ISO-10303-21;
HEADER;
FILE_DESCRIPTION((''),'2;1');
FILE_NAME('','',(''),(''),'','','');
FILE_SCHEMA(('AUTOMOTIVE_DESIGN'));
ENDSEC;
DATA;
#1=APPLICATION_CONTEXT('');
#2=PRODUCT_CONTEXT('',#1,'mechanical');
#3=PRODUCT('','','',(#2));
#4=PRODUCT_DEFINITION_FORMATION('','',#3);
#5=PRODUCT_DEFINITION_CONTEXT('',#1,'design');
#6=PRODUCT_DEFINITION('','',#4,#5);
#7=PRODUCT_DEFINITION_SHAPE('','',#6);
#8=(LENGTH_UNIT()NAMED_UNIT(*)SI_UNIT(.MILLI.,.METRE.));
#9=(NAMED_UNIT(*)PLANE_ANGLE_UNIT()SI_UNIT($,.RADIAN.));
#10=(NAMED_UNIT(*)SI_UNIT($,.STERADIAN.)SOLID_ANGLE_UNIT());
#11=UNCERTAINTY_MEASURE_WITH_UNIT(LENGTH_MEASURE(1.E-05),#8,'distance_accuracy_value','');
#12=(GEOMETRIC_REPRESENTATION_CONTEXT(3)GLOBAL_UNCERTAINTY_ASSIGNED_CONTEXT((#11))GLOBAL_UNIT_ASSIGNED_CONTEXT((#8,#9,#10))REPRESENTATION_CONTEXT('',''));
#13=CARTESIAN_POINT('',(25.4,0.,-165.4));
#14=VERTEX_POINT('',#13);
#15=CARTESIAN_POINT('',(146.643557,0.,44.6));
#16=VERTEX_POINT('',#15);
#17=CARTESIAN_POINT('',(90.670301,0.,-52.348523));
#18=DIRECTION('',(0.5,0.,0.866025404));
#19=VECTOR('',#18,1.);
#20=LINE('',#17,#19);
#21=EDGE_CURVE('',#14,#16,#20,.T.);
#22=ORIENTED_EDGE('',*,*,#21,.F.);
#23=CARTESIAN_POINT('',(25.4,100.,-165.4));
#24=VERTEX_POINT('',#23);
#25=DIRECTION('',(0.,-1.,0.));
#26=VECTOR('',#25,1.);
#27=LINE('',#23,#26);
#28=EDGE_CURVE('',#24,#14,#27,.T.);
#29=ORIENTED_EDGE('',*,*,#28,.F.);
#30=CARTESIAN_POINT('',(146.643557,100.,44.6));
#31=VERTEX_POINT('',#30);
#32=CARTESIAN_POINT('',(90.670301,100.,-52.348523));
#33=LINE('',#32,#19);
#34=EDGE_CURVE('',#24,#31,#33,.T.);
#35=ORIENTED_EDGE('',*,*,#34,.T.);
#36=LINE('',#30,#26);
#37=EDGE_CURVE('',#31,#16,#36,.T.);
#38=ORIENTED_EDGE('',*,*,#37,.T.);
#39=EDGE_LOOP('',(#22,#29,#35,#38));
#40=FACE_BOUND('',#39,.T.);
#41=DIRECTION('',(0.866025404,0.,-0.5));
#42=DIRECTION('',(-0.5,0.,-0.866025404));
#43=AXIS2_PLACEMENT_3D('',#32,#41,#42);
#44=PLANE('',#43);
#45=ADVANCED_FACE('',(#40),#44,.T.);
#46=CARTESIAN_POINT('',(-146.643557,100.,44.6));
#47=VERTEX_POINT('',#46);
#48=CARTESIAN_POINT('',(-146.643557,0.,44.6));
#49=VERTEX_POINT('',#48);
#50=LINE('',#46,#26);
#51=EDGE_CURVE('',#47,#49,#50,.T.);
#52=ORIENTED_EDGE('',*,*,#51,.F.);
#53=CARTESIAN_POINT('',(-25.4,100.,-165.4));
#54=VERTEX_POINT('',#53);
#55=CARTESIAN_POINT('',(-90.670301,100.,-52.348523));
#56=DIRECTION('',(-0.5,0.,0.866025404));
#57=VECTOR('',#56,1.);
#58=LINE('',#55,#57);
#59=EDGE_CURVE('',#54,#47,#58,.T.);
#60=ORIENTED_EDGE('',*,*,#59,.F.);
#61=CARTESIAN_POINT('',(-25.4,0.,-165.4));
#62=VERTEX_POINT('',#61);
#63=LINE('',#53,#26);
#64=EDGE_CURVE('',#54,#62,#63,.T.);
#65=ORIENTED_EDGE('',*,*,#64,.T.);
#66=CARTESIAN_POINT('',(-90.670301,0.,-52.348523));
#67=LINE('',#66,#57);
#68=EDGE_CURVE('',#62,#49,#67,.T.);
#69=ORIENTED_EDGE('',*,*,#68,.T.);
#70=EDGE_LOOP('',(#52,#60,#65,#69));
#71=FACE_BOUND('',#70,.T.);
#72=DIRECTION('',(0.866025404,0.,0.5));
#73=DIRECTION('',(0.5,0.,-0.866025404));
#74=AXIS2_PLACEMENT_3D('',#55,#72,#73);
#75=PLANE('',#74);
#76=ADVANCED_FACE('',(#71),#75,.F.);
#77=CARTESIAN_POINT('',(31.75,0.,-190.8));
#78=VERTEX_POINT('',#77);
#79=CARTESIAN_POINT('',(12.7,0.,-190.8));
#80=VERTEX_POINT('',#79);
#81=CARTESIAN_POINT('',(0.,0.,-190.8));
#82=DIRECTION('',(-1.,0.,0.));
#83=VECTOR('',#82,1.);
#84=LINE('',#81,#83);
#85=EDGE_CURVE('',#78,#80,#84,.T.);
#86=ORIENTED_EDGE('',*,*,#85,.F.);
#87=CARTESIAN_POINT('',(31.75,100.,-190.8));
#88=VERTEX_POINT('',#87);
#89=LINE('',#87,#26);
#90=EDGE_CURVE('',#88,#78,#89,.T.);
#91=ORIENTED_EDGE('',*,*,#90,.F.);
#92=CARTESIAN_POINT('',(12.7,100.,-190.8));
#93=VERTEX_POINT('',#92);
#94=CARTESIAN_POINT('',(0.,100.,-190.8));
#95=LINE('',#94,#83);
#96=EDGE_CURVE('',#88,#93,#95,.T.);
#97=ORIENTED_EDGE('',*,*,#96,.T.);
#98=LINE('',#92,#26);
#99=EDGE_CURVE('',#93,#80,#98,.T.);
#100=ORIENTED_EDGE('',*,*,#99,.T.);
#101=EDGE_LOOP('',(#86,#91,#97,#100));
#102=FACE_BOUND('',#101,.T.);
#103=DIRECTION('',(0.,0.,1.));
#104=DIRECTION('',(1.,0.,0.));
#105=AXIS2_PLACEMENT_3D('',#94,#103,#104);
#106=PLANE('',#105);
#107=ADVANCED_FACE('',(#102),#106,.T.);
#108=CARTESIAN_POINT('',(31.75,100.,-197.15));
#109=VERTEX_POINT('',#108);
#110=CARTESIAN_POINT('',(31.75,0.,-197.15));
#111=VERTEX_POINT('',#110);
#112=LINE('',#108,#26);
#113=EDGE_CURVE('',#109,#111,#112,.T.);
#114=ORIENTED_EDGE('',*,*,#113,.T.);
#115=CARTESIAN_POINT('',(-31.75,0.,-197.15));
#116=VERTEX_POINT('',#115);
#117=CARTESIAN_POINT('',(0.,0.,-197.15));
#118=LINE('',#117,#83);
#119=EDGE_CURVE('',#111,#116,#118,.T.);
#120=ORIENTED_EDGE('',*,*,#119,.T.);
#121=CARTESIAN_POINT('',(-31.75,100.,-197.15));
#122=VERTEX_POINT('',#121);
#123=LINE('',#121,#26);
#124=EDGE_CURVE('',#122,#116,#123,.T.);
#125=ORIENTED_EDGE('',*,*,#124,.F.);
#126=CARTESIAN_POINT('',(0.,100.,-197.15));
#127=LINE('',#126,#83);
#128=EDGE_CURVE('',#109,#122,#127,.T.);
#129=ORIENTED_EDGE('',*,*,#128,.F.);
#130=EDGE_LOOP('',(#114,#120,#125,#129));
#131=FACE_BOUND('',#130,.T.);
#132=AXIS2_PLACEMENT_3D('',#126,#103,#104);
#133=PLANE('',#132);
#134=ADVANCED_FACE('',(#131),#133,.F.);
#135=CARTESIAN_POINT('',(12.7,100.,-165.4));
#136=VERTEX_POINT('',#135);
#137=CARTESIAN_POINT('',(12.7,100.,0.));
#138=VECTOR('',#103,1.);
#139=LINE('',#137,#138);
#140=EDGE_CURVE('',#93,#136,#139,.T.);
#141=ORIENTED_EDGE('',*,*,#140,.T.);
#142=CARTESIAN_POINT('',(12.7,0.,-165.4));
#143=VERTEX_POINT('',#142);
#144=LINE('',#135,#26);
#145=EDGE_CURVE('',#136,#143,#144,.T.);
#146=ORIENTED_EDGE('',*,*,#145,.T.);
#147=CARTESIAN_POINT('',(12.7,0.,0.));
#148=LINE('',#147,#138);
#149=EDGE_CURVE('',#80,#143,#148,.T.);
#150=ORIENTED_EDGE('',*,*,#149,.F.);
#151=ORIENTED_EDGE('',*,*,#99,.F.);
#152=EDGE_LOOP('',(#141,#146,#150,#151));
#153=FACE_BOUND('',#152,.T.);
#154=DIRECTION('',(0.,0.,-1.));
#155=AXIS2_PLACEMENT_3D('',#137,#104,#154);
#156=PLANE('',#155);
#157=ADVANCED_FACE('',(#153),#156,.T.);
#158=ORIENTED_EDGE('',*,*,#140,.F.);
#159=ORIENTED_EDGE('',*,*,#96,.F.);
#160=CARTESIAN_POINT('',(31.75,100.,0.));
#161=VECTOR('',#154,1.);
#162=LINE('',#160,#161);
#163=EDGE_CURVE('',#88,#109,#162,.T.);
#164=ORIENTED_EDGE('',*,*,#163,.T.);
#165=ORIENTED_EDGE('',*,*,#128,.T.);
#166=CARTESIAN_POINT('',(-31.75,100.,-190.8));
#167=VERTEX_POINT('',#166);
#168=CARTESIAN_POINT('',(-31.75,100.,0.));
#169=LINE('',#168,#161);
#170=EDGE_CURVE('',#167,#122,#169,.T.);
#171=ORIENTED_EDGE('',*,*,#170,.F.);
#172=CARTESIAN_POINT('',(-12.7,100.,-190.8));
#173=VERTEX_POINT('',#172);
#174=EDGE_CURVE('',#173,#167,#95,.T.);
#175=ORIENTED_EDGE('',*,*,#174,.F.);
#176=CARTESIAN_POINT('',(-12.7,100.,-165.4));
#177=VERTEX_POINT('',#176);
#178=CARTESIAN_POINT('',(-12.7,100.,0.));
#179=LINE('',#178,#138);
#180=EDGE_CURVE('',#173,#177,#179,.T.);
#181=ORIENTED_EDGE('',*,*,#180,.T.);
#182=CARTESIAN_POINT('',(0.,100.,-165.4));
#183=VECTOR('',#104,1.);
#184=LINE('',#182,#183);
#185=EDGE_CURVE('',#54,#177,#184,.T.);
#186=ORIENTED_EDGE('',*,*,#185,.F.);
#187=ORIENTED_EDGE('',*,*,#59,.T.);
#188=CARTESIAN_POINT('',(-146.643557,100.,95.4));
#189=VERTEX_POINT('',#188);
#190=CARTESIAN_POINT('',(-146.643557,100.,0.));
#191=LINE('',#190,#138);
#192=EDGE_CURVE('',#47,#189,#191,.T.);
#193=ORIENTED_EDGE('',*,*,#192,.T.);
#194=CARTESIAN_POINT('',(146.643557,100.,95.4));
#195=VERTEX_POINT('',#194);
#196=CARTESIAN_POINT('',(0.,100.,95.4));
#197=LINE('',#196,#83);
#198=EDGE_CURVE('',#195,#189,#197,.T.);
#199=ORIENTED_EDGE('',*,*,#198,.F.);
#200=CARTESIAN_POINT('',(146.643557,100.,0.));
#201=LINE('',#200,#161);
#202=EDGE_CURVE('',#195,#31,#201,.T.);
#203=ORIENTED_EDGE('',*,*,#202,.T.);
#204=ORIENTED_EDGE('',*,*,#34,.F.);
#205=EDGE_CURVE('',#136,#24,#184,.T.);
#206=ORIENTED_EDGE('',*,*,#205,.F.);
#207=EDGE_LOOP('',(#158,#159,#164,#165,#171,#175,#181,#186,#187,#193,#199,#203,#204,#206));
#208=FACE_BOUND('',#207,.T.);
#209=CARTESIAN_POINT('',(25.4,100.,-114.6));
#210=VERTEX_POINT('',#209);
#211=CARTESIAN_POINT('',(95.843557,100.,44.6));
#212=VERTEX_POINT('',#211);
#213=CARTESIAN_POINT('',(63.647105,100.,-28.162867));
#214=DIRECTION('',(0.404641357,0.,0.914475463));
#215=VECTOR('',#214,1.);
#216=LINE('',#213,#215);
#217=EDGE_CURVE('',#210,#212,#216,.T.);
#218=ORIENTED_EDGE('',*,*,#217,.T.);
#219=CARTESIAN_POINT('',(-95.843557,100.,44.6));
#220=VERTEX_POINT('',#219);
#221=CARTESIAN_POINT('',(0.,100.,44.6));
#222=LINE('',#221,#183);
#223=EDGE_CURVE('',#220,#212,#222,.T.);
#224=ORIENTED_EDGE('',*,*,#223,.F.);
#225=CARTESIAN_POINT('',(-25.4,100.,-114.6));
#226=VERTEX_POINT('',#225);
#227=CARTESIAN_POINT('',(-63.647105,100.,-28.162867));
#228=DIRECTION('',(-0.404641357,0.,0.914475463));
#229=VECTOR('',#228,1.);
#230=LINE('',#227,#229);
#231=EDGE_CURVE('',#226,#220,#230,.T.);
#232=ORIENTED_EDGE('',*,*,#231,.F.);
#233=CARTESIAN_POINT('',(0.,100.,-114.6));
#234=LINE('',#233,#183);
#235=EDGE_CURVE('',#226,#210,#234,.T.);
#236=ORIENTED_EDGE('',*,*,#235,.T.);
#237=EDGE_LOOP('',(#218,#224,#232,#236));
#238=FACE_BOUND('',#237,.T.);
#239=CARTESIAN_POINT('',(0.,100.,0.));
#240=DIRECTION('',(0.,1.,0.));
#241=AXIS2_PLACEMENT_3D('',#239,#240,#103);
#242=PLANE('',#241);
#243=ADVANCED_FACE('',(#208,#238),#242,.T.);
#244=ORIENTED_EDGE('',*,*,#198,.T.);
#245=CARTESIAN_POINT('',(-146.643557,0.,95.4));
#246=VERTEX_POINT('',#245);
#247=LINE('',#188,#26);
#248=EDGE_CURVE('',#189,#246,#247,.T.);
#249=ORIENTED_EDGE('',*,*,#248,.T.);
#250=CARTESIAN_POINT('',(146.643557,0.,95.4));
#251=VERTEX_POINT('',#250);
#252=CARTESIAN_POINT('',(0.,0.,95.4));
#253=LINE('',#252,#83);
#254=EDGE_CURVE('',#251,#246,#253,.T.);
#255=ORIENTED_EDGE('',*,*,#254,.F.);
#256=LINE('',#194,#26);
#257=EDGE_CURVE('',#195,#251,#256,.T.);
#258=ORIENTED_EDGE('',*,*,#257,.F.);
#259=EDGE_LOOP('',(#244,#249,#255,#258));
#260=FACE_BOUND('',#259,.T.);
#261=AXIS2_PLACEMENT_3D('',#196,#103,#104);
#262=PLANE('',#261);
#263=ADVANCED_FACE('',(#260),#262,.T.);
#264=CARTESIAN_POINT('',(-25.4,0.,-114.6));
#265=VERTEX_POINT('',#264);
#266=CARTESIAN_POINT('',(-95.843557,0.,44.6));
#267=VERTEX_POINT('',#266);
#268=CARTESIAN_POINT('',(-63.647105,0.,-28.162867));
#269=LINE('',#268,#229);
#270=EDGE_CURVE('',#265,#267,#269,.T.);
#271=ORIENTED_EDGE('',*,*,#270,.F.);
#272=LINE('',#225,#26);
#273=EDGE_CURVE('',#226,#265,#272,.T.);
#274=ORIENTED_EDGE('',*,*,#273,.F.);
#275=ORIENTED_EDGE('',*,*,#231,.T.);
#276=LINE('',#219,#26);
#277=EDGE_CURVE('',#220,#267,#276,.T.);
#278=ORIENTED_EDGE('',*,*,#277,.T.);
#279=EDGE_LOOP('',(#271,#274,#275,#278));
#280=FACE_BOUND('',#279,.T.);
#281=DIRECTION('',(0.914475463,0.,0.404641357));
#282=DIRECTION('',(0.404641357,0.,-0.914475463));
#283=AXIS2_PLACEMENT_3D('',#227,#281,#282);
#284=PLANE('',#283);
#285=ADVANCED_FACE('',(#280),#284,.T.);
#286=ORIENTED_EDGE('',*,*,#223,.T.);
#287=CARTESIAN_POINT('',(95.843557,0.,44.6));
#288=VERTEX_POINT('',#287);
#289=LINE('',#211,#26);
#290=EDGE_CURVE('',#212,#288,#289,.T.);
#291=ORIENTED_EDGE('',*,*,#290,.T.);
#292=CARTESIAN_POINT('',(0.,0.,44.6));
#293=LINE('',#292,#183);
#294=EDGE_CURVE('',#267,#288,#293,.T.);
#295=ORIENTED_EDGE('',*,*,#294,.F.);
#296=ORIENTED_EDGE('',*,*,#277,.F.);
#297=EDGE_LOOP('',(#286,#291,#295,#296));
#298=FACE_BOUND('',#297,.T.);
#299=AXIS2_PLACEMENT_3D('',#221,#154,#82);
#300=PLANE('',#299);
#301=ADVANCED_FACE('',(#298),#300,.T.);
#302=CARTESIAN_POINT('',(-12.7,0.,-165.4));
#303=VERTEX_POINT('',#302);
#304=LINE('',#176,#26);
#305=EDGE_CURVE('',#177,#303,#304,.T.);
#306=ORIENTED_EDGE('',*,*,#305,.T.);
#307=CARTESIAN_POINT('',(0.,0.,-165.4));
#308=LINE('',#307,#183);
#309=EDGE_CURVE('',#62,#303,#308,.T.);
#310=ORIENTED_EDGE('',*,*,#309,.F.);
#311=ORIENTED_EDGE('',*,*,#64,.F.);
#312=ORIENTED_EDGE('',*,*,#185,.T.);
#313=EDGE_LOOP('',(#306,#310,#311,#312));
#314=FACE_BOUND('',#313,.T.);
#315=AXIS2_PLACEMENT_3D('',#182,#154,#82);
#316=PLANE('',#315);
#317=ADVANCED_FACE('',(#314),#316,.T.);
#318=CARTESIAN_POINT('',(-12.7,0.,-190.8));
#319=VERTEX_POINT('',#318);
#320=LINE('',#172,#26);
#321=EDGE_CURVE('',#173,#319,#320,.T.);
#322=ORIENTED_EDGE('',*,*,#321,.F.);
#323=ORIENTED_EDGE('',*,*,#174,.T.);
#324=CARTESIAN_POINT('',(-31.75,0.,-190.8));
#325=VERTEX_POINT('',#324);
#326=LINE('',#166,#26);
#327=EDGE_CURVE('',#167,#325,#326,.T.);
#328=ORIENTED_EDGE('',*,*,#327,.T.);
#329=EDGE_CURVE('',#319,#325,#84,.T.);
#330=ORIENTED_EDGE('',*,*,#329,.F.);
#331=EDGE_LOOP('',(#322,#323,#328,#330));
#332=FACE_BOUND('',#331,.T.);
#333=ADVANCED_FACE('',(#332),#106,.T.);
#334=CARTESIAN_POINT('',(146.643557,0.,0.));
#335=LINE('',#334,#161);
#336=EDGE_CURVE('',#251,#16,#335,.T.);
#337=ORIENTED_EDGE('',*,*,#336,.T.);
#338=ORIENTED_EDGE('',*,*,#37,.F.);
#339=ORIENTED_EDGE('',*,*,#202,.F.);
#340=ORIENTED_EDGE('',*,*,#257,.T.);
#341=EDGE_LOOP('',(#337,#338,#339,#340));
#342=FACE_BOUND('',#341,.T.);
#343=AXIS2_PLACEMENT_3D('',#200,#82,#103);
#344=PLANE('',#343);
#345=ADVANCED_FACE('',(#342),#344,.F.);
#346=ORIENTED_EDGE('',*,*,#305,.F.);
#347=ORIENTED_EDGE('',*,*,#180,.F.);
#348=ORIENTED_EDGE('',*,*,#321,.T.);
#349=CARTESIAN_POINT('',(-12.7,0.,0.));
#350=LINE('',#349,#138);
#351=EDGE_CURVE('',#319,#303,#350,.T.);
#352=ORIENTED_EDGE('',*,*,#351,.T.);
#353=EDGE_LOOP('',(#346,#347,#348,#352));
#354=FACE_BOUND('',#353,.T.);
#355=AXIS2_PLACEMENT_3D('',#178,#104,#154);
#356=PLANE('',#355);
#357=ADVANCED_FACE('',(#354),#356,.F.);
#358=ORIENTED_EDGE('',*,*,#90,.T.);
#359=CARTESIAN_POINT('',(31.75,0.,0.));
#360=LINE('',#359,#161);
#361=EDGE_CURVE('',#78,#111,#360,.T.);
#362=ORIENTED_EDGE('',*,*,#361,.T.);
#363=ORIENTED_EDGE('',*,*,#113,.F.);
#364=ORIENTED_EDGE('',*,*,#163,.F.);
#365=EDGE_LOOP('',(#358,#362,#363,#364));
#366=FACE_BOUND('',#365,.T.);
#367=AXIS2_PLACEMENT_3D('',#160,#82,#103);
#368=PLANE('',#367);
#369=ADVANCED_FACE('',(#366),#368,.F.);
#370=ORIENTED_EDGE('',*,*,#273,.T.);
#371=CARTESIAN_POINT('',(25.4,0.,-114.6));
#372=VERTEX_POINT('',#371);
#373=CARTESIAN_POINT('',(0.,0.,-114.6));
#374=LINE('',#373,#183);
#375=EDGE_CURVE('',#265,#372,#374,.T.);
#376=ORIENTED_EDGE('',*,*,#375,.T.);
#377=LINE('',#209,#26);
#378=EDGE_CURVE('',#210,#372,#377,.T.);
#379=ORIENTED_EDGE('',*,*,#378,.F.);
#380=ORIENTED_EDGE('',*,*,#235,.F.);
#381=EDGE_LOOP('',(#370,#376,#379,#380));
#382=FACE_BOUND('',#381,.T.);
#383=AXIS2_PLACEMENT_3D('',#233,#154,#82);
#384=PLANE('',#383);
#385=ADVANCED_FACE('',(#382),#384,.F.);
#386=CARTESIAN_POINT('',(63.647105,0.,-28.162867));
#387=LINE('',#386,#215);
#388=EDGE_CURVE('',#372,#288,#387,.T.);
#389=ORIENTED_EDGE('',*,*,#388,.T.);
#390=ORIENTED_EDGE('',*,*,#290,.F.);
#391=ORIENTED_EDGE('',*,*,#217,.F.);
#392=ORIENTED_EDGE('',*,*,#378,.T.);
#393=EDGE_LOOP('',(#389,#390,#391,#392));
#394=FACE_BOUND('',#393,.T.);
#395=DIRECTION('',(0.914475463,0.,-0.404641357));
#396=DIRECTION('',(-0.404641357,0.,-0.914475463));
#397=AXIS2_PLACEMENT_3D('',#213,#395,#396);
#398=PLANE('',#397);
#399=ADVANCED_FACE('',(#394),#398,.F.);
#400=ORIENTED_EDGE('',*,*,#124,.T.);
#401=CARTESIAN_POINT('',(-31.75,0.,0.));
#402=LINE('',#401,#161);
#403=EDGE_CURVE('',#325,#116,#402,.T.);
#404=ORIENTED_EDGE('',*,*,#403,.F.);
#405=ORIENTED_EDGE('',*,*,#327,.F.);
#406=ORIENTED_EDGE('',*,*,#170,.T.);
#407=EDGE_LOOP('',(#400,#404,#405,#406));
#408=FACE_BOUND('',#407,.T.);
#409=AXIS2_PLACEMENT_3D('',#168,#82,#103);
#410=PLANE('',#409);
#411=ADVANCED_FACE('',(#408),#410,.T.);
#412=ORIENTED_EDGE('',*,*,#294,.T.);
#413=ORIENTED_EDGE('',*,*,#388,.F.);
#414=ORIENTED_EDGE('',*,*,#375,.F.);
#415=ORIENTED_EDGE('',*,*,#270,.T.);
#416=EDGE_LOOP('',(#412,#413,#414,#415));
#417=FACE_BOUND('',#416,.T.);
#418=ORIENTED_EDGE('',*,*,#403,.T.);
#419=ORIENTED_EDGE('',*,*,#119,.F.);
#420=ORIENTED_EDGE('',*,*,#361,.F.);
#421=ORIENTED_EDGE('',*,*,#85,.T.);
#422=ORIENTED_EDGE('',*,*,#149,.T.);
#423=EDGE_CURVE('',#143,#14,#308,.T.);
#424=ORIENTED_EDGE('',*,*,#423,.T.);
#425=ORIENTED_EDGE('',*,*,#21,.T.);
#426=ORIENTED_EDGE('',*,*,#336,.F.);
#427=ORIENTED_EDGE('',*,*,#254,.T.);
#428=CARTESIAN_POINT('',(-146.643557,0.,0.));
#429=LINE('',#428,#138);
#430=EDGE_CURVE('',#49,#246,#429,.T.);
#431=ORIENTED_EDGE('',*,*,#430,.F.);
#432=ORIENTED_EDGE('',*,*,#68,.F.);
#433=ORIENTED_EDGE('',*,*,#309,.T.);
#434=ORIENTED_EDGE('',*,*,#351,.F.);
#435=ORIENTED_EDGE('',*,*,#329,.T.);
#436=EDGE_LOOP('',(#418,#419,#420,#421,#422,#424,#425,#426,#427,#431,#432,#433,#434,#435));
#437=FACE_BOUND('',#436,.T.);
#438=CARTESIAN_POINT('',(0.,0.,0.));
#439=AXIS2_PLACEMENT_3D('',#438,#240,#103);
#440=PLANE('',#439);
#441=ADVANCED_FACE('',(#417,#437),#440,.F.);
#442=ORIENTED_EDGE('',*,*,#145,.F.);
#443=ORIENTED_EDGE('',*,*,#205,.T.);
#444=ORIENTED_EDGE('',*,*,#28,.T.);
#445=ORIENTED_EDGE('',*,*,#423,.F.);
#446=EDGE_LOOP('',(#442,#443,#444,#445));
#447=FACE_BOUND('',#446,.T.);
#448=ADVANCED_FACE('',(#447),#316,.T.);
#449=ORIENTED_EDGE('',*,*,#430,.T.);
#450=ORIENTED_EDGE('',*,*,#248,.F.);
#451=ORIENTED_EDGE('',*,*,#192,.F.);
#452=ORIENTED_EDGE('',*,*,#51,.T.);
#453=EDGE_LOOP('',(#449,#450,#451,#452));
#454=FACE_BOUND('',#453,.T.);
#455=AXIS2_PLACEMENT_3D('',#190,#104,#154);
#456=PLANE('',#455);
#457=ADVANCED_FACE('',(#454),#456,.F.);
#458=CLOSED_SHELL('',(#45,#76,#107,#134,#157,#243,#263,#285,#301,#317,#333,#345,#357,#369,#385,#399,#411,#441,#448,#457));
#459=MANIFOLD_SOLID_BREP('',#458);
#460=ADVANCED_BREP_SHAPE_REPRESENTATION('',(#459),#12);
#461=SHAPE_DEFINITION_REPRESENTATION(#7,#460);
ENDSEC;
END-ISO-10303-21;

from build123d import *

# Parameters (mm, degrees)
BOSS_EXTRUDE1_DEPTH = 100


with BuildPart() as part:
    # Sketch1 → Boss-Extrude1 (new body)
    with BuildSketch(Plane(origin=(0, 0, 0), x_dir=(1, 0, 0), z_dir=(0, 1, 0))):
        Polygon((-146.64355653, -95.4), (146.64355653, -95.4), (146.64355653, -44.6), (25.4, 165.4), (12.7, 165.4), (12.7, 190.8), (31.75, 190.8), (31.75, 197.15), (-31.75, 197.15), (-31.75, 190.8), (-12.7, 190.8), (-12.7, 165.4), (-25.4, 165.4), (-146.64355653, -44.6), align=None)
        Polygon((25.4, 114.6), (95.84355653, -44.6), (-95.84355653, -44.6), (-25.4, 114.6), align=None, mode=Mode.SUBTRACT)
    extrude(amount=BOSS_EXTRUDE1_DEPTH)


solid = part.part
